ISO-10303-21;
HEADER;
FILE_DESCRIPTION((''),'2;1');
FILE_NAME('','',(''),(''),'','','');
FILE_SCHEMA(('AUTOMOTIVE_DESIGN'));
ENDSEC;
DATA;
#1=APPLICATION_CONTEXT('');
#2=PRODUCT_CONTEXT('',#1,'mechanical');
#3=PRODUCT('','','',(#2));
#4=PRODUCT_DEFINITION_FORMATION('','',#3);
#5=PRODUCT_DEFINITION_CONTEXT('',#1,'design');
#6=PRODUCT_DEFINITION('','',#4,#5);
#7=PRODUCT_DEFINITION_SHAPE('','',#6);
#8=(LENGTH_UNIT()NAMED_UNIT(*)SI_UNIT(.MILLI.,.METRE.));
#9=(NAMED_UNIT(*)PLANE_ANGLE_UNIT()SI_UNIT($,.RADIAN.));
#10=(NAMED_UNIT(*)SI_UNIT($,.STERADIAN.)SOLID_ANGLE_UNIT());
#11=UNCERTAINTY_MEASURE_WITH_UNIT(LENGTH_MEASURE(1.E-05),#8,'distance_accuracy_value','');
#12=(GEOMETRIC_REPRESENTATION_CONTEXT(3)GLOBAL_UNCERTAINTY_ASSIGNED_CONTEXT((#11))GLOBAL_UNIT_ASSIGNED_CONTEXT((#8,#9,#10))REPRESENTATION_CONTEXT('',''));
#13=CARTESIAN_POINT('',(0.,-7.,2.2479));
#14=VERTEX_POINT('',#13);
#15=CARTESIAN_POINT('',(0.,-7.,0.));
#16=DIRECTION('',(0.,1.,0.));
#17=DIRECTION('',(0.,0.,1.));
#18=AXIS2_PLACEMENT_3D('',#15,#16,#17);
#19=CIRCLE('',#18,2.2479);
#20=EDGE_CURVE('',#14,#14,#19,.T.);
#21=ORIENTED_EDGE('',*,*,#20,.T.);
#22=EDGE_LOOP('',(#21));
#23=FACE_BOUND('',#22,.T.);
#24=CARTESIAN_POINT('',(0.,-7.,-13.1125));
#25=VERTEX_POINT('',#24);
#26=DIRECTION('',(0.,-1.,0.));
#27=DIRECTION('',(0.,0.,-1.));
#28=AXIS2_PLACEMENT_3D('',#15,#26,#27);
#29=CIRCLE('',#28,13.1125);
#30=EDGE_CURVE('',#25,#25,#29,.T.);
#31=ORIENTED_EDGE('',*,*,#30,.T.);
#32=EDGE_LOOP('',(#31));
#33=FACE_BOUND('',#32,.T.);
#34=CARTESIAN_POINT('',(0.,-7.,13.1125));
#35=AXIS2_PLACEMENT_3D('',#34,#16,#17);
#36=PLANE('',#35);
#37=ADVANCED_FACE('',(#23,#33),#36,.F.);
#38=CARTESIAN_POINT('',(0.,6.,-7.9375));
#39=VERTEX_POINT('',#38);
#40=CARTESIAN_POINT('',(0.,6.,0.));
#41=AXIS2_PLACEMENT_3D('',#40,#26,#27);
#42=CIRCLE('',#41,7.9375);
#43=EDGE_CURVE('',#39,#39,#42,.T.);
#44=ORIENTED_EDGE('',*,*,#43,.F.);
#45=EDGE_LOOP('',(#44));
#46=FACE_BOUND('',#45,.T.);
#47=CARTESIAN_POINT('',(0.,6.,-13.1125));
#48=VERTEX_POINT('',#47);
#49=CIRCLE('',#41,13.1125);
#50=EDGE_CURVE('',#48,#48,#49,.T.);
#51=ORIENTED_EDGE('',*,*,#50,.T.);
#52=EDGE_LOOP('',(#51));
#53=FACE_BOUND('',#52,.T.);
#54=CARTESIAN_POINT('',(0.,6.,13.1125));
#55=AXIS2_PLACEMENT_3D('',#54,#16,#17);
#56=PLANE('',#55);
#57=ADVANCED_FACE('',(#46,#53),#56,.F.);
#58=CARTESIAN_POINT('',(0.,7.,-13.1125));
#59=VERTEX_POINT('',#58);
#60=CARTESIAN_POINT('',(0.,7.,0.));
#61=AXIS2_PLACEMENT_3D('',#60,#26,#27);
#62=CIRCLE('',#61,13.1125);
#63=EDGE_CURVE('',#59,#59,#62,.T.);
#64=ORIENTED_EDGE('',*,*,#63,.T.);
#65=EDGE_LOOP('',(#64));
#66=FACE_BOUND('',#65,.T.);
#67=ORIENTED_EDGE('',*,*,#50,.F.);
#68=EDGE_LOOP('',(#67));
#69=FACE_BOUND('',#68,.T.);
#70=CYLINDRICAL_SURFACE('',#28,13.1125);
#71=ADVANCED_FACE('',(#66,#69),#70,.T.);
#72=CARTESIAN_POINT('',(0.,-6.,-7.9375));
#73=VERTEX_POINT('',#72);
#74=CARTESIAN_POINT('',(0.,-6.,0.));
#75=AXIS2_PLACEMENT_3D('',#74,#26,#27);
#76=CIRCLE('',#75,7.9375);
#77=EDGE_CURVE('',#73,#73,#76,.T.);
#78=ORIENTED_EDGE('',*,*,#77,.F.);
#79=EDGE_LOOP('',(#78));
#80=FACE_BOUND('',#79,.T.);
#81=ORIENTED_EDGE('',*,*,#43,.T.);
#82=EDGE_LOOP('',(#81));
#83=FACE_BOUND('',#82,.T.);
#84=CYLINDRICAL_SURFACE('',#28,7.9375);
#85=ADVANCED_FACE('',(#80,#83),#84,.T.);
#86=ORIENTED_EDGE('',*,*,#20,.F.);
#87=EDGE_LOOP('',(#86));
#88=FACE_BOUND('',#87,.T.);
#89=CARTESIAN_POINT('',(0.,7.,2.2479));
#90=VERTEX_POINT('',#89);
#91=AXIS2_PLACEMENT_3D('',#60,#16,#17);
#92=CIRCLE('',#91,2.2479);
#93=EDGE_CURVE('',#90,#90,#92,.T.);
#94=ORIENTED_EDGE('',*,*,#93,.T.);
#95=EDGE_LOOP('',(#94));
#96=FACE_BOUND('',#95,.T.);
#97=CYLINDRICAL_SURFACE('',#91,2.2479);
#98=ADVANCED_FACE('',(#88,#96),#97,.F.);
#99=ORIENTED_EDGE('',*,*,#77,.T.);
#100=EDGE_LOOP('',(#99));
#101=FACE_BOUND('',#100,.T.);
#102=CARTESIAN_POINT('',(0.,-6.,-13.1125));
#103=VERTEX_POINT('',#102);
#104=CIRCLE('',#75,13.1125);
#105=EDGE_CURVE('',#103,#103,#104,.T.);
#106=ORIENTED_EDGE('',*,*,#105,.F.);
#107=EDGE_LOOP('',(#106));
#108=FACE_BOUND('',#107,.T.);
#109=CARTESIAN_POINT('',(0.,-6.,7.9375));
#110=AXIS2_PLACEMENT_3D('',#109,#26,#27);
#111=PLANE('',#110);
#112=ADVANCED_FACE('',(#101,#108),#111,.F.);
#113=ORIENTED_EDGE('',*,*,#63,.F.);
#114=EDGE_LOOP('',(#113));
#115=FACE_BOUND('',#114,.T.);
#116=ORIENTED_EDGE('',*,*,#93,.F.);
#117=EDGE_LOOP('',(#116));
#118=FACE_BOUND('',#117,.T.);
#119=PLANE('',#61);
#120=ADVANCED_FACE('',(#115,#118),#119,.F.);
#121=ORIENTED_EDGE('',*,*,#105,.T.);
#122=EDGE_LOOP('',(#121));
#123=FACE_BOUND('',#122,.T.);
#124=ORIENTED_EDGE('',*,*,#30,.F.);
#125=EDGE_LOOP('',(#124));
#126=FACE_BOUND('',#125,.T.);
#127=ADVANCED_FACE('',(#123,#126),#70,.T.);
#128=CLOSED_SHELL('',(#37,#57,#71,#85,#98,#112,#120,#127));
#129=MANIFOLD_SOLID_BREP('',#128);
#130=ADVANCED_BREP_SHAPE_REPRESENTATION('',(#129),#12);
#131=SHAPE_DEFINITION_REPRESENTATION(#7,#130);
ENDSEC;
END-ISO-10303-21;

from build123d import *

# Parameters (mm, degrees)
F_8_CLEARANCE_HOLE1_D = 4.4958


with BuildPart() as part:
    # Sketch1 → Revolve1 (revolve)
    with BuildSketch(Plane(origin=(0, 0, 0), x_dir=(0, 0, -1), z_dir=(1, 0, 0))):
        Polygon((0, -7), (0, 7), (-13.112500064, 7), (-13.112500064, 6), (-7.9375, 6), (-7.9375, -6), (-13.112500064, -6), (-13.112500064, -7), align=None)
    revolve(axis=Axis((0, -7, 0), (0, 1, 0)))

    # #8 Clearance Hole1 (through all)
    with Locations(Plane(origin=(0, 7, 0), x_dir=(1, 0, 0), z_dir=(0, 1, 0))):
        with Locations((0, 0)):
            Hole(F_8_CLEARANCE_HOLE1_D / 2)


solid = part.part
